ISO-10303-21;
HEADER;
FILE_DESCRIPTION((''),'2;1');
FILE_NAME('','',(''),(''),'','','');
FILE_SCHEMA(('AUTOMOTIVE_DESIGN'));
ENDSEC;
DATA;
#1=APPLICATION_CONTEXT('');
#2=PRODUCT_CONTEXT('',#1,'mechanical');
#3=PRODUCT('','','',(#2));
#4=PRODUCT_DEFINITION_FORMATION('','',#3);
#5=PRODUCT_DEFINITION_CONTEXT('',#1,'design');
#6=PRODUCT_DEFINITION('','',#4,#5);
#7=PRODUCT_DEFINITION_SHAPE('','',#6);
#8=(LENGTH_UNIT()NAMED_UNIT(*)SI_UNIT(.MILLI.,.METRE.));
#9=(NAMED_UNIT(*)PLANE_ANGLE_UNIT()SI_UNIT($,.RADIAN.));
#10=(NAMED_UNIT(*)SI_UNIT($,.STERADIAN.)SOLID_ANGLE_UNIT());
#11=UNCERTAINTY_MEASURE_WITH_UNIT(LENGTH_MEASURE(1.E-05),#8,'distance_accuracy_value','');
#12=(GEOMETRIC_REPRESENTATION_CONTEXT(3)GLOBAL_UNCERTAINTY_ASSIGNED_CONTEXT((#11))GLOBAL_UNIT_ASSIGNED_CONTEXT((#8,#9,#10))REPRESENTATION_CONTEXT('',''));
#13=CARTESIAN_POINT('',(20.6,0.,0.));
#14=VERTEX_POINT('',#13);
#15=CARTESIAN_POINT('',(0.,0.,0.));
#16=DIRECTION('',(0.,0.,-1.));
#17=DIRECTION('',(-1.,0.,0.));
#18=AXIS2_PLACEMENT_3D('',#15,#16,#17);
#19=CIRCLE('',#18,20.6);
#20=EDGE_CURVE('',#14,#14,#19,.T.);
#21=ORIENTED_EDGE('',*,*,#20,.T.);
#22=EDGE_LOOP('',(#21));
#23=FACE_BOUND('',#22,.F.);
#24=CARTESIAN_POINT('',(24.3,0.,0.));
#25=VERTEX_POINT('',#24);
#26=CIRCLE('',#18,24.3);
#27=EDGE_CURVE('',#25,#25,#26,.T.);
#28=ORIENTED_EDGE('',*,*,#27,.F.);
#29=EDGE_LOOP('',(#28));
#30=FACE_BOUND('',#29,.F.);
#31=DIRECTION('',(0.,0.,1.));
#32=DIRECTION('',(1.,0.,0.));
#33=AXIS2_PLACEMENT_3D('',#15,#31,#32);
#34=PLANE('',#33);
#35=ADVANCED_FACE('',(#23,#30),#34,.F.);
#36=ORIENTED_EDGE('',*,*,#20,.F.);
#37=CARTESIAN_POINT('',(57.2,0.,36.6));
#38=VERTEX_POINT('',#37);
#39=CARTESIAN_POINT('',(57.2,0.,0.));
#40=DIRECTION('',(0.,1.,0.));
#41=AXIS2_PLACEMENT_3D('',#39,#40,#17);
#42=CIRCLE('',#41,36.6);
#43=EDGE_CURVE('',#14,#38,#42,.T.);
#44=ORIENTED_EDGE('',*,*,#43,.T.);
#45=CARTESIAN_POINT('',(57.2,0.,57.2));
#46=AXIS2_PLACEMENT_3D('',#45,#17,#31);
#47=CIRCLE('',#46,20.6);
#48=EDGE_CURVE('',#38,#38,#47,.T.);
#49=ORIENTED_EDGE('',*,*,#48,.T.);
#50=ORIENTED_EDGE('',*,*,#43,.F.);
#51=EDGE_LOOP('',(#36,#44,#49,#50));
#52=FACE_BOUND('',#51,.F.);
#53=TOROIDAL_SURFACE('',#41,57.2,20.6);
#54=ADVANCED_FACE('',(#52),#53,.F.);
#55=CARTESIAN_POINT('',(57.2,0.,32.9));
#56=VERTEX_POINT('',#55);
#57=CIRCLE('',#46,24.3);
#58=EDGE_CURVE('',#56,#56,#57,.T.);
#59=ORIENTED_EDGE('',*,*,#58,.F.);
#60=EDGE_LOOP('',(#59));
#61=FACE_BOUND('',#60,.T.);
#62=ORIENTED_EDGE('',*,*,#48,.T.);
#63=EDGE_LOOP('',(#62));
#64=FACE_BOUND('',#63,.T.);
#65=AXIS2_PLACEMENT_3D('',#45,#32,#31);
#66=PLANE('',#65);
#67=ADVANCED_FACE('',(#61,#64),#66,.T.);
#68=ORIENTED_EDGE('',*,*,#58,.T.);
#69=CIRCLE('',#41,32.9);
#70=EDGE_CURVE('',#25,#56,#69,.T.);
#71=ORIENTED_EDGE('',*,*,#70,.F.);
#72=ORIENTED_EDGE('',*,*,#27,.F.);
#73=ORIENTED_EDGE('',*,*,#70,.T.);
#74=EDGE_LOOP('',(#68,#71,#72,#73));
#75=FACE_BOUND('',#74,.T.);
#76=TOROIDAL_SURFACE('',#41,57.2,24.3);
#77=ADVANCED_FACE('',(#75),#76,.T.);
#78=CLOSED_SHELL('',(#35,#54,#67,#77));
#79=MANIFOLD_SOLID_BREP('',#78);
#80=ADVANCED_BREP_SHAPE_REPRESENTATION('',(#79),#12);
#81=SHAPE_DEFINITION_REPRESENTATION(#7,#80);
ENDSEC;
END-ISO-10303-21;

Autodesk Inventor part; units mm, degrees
ref_plane "YZ Plane" through (0, 0, 0) normal (1, 0, 0) x (0, 1, 0)
ref_plane "XZ Plane" through (0, 0, 0) normal (0, 1, 0) x (-1, 0, 0)
ref_plane "XY Plane" through (0, 0, 0) normal (0, 0, 1) x (1, 0, 0)
sketch "Sketch1" plane through (0, 0, 0) normal (0, 0, 1) x (1, 0, 0)
  circle A0 centre (0, 0) radius 20.6
  circle A1 centre (0, 0) radius 24.3
  dimension "d0" = 41.2
  dimension "d1" = 48.6
sketch "Sketch2" plane through (0, 0, 0) normal (0, 1, 0) x (-1, 0, 0)
  line L0 (0, 0) -> (0, 57.2) construction
  line L1 (0, 57.2) -> (-57.2, 57.2) construction
  arc A0 (0, 0) -> (-57.2, 57.2) centre (-57.2, 0) ccw
  dimension "d2" = 57.2
  dimension "d3" = 90
  dimension "d4" = 57.2
sweep "Sweep1" add profiles "Sketch1" path "Sketch2"
equation "\"d0\" = D - 2 * T"
equation "\"d1\" = D"
equation "\"d2\" = F1"
equation "\"d4\" = F1"
equation "\"D\" = 48.6"
equation "\"F1\" = 57.2"
equation "\"T\" = 3.7"
equation "\"Size_Designation\" = 1.2345"
properties part number "JIS B 2312 90 Deg Long Elbow Steel 40A x Sch 40" material "Steel"
